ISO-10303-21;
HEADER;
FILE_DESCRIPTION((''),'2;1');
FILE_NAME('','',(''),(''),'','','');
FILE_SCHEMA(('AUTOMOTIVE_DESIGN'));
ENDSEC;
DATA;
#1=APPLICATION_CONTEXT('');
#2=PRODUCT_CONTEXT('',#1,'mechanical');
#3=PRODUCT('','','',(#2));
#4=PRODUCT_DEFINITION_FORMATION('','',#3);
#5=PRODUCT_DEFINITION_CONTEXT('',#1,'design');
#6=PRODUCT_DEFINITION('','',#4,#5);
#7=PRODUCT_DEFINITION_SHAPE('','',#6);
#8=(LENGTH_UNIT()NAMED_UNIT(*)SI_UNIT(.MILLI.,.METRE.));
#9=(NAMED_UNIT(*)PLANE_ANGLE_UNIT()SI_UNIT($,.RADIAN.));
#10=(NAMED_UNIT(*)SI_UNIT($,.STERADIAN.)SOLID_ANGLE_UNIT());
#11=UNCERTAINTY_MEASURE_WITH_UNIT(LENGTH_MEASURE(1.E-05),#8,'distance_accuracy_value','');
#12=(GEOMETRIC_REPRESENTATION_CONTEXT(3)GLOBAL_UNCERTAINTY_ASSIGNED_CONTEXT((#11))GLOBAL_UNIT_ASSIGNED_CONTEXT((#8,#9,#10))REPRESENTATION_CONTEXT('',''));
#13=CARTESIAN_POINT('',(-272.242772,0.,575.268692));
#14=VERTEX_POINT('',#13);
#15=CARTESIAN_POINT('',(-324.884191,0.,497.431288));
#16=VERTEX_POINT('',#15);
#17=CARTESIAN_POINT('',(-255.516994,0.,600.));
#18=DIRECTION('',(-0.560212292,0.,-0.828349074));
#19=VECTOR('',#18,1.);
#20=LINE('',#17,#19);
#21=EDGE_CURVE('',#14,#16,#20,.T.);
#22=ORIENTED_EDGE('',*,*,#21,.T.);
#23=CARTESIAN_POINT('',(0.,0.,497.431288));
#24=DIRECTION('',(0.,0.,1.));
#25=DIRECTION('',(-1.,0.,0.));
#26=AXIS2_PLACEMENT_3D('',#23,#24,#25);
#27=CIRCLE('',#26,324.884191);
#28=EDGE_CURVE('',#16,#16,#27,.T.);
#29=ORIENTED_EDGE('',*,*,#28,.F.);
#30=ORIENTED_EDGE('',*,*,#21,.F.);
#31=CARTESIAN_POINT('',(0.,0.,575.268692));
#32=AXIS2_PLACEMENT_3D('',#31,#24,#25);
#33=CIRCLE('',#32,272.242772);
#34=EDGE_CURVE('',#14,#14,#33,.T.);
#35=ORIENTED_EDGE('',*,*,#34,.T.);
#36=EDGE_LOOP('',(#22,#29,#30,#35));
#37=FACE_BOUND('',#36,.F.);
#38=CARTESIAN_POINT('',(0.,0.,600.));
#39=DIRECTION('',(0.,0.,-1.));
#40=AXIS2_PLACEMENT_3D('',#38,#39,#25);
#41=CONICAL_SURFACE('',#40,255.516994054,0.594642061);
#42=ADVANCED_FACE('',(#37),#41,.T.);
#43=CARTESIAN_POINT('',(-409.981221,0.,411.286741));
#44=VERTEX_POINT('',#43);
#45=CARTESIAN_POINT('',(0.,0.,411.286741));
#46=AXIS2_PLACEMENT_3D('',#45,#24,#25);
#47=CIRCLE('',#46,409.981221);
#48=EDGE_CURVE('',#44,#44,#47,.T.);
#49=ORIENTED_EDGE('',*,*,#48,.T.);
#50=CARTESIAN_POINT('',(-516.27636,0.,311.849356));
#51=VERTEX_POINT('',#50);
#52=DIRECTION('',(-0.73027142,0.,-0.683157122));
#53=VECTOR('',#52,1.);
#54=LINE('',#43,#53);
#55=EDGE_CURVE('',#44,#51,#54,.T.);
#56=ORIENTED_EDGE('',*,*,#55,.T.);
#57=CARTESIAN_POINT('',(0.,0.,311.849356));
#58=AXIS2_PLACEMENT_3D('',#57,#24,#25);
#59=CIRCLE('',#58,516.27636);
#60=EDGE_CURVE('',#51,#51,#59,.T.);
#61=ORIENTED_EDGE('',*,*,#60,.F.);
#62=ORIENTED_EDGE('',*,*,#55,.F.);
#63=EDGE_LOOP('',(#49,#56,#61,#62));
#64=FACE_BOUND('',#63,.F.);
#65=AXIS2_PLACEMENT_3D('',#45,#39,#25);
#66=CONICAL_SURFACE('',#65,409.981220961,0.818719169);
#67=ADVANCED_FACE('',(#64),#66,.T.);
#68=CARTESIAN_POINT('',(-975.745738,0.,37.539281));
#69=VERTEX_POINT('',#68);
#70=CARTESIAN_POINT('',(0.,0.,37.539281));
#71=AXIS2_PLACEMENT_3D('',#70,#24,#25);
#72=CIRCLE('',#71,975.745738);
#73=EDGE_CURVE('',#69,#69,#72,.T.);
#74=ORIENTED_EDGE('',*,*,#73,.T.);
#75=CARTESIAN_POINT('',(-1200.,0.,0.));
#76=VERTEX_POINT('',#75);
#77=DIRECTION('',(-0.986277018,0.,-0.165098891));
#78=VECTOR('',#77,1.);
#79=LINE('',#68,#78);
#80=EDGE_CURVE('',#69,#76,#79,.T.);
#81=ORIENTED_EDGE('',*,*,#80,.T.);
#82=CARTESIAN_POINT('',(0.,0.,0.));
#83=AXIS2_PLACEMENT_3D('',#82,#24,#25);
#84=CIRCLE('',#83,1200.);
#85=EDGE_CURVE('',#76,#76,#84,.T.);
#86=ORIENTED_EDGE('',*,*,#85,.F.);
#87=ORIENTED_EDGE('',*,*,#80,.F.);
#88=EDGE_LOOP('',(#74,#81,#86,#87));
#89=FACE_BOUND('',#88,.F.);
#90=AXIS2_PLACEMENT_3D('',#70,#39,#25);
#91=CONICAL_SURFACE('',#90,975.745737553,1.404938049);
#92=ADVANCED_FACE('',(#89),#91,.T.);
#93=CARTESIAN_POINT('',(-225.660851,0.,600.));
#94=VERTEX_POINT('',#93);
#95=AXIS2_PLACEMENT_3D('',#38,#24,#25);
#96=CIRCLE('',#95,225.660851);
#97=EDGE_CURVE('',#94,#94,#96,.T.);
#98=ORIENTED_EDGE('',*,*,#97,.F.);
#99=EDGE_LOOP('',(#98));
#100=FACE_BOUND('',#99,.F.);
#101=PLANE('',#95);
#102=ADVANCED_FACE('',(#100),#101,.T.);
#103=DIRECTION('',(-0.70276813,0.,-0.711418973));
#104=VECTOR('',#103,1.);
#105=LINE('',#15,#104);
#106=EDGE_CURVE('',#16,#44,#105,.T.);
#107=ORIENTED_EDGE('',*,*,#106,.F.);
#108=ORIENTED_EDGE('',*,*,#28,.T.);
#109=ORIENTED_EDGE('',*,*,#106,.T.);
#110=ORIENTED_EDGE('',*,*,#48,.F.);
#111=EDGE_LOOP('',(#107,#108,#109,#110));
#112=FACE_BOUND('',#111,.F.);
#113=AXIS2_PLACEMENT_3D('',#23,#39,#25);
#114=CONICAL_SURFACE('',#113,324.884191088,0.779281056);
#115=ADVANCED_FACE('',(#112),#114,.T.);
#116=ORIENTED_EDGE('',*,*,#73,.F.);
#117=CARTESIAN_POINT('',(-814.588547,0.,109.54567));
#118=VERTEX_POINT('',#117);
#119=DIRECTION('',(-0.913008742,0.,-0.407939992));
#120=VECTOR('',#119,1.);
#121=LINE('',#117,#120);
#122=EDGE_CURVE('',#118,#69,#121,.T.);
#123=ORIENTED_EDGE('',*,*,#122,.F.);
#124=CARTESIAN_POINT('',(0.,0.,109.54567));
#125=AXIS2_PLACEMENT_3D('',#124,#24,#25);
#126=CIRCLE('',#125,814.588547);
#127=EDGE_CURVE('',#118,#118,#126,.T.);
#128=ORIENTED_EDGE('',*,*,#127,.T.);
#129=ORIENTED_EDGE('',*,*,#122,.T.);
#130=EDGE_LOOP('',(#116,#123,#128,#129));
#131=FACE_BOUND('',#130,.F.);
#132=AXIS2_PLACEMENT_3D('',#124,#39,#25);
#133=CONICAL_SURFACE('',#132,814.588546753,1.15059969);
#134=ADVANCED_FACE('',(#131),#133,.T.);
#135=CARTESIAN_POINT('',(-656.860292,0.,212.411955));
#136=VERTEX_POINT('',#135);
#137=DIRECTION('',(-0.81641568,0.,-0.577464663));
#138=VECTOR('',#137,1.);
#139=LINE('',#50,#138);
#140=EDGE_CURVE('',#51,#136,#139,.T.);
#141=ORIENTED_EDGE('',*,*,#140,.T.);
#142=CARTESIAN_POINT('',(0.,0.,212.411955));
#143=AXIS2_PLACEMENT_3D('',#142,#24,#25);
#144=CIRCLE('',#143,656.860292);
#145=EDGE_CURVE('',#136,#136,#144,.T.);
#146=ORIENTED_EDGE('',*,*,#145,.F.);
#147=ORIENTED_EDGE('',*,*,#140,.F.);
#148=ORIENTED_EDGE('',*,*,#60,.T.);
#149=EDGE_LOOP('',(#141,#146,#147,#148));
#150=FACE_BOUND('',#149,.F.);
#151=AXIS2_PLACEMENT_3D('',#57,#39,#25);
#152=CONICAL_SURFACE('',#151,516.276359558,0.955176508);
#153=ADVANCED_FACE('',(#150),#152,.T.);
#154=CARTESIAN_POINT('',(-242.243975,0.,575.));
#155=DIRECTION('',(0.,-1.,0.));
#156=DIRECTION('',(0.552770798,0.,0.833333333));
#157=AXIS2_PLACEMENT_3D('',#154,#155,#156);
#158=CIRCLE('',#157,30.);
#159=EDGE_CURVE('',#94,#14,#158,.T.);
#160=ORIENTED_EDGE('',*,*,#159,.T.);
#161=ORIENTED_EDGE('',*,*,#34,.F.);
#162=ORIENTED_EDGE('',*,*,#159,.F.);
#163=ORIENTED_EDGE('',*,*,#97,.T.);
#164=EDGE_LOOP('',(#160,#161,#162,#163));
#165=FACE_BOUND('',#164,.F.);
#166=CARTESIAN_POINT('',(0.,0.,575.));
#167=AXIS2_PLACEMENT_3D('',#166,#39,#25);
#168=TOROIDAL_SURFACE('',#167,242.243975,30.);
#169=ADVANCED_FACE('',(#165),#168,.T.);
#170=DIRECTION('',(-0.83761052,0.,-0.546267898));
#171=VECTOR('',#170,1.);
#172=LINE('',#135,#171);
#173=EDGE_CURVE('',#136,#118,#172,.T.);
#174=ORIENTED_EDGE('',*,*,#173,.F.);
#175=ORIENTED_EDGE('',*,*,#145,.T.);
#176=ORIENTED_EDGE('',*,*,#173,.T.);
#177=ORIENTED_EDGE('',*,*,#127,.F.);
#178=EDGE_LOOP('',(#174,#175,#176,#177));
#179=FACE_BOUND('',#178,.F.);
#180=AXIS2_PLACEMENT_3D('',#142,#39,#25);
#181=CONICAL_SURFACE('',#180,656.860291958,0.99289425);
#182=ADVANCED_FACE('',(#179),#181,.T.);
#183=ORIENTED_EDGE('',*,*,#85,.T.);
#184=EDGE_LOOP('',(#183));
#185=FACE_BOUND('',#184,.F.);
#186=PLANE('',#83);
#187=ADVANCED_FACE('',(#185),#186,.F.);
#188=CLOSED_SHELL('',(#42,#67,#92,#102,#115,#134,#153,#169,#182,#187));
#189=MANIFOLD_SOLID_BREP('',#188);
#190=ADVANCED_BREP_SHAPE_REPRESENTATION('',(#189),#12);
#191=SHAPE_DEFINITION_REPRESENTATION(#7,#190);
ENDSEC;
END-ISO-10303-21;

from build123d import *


with BuildPart() as f1:
    # F0 (on Front) → F1 (revolve)
    with BuildSketch(Plane.XZ):
        with BuildLine():
            Line((-1200, 0), (0, 0))
            Line((0, 0), (0, 600))
            Line((0, 600), (-225.6608514491, 600))
            ThreePointArc((-225.6608514491, 600), (-215.8101550324, 589.1863716546), (-212.2439754009, 575))
            ThreePointArc((-212.2439754009, 575), (-242.3783227085, 545.0003008215), (-272.242772121, 575.2686919208))
            Line((-272.242772121, 575.2686919208), (-324.8841910881, 497.4312875862))
            Line((-324.8841910881, 497.4312875862), (-409.9812209606, 411.2867414951))
            Line((-409.9812209606, 411.2867414951), (-516.2763595581, 311.8493556976))
            Line((-516.2763595581, 311.8493556976), (-656.8602919579, 212.411954999))
            Line((-656.8602919579, 212.411954999), (-814.5885467529, 109.5456704497))
            Line((-814.5885467529, 109.5456704497), (-975.7457375526, 37.539280951))
            Line((-975.7457375526, 37.539280951), (-1200, 0))
        make_face()
        with BuildLine():
            ThreePointArc((-212.2439754009, 575), (-215.8101550324, 589.1863716546), (-225.6608514491, 600))
            Line((-225.6608514491, 600), (-255.5169940541, 600))
            Line((-255.5169940541, 600), (-272.242772121, 575.2686919208))
            ThreePointArc((-272.242772121, 575.2686919208), (-242.3783227085, 545.0003008215), (-212.2439754009, 575))
        make_face()
        with BuildLine():
            Line((-255.5169940541, 600), (-225.6608514491, 600))
            ThreePointArc((-225.6608514491, 600), (-256.3118277169, 601.4970853344), (-272.242772121, 575.2686919208))
            Line((-272.242772121, 575.2686919208), (-255.5169940541, 600))
        make_face()
    revolve(axis=Axis((0, 0, 300), (0, 0, 1)))


solid = f1.part
